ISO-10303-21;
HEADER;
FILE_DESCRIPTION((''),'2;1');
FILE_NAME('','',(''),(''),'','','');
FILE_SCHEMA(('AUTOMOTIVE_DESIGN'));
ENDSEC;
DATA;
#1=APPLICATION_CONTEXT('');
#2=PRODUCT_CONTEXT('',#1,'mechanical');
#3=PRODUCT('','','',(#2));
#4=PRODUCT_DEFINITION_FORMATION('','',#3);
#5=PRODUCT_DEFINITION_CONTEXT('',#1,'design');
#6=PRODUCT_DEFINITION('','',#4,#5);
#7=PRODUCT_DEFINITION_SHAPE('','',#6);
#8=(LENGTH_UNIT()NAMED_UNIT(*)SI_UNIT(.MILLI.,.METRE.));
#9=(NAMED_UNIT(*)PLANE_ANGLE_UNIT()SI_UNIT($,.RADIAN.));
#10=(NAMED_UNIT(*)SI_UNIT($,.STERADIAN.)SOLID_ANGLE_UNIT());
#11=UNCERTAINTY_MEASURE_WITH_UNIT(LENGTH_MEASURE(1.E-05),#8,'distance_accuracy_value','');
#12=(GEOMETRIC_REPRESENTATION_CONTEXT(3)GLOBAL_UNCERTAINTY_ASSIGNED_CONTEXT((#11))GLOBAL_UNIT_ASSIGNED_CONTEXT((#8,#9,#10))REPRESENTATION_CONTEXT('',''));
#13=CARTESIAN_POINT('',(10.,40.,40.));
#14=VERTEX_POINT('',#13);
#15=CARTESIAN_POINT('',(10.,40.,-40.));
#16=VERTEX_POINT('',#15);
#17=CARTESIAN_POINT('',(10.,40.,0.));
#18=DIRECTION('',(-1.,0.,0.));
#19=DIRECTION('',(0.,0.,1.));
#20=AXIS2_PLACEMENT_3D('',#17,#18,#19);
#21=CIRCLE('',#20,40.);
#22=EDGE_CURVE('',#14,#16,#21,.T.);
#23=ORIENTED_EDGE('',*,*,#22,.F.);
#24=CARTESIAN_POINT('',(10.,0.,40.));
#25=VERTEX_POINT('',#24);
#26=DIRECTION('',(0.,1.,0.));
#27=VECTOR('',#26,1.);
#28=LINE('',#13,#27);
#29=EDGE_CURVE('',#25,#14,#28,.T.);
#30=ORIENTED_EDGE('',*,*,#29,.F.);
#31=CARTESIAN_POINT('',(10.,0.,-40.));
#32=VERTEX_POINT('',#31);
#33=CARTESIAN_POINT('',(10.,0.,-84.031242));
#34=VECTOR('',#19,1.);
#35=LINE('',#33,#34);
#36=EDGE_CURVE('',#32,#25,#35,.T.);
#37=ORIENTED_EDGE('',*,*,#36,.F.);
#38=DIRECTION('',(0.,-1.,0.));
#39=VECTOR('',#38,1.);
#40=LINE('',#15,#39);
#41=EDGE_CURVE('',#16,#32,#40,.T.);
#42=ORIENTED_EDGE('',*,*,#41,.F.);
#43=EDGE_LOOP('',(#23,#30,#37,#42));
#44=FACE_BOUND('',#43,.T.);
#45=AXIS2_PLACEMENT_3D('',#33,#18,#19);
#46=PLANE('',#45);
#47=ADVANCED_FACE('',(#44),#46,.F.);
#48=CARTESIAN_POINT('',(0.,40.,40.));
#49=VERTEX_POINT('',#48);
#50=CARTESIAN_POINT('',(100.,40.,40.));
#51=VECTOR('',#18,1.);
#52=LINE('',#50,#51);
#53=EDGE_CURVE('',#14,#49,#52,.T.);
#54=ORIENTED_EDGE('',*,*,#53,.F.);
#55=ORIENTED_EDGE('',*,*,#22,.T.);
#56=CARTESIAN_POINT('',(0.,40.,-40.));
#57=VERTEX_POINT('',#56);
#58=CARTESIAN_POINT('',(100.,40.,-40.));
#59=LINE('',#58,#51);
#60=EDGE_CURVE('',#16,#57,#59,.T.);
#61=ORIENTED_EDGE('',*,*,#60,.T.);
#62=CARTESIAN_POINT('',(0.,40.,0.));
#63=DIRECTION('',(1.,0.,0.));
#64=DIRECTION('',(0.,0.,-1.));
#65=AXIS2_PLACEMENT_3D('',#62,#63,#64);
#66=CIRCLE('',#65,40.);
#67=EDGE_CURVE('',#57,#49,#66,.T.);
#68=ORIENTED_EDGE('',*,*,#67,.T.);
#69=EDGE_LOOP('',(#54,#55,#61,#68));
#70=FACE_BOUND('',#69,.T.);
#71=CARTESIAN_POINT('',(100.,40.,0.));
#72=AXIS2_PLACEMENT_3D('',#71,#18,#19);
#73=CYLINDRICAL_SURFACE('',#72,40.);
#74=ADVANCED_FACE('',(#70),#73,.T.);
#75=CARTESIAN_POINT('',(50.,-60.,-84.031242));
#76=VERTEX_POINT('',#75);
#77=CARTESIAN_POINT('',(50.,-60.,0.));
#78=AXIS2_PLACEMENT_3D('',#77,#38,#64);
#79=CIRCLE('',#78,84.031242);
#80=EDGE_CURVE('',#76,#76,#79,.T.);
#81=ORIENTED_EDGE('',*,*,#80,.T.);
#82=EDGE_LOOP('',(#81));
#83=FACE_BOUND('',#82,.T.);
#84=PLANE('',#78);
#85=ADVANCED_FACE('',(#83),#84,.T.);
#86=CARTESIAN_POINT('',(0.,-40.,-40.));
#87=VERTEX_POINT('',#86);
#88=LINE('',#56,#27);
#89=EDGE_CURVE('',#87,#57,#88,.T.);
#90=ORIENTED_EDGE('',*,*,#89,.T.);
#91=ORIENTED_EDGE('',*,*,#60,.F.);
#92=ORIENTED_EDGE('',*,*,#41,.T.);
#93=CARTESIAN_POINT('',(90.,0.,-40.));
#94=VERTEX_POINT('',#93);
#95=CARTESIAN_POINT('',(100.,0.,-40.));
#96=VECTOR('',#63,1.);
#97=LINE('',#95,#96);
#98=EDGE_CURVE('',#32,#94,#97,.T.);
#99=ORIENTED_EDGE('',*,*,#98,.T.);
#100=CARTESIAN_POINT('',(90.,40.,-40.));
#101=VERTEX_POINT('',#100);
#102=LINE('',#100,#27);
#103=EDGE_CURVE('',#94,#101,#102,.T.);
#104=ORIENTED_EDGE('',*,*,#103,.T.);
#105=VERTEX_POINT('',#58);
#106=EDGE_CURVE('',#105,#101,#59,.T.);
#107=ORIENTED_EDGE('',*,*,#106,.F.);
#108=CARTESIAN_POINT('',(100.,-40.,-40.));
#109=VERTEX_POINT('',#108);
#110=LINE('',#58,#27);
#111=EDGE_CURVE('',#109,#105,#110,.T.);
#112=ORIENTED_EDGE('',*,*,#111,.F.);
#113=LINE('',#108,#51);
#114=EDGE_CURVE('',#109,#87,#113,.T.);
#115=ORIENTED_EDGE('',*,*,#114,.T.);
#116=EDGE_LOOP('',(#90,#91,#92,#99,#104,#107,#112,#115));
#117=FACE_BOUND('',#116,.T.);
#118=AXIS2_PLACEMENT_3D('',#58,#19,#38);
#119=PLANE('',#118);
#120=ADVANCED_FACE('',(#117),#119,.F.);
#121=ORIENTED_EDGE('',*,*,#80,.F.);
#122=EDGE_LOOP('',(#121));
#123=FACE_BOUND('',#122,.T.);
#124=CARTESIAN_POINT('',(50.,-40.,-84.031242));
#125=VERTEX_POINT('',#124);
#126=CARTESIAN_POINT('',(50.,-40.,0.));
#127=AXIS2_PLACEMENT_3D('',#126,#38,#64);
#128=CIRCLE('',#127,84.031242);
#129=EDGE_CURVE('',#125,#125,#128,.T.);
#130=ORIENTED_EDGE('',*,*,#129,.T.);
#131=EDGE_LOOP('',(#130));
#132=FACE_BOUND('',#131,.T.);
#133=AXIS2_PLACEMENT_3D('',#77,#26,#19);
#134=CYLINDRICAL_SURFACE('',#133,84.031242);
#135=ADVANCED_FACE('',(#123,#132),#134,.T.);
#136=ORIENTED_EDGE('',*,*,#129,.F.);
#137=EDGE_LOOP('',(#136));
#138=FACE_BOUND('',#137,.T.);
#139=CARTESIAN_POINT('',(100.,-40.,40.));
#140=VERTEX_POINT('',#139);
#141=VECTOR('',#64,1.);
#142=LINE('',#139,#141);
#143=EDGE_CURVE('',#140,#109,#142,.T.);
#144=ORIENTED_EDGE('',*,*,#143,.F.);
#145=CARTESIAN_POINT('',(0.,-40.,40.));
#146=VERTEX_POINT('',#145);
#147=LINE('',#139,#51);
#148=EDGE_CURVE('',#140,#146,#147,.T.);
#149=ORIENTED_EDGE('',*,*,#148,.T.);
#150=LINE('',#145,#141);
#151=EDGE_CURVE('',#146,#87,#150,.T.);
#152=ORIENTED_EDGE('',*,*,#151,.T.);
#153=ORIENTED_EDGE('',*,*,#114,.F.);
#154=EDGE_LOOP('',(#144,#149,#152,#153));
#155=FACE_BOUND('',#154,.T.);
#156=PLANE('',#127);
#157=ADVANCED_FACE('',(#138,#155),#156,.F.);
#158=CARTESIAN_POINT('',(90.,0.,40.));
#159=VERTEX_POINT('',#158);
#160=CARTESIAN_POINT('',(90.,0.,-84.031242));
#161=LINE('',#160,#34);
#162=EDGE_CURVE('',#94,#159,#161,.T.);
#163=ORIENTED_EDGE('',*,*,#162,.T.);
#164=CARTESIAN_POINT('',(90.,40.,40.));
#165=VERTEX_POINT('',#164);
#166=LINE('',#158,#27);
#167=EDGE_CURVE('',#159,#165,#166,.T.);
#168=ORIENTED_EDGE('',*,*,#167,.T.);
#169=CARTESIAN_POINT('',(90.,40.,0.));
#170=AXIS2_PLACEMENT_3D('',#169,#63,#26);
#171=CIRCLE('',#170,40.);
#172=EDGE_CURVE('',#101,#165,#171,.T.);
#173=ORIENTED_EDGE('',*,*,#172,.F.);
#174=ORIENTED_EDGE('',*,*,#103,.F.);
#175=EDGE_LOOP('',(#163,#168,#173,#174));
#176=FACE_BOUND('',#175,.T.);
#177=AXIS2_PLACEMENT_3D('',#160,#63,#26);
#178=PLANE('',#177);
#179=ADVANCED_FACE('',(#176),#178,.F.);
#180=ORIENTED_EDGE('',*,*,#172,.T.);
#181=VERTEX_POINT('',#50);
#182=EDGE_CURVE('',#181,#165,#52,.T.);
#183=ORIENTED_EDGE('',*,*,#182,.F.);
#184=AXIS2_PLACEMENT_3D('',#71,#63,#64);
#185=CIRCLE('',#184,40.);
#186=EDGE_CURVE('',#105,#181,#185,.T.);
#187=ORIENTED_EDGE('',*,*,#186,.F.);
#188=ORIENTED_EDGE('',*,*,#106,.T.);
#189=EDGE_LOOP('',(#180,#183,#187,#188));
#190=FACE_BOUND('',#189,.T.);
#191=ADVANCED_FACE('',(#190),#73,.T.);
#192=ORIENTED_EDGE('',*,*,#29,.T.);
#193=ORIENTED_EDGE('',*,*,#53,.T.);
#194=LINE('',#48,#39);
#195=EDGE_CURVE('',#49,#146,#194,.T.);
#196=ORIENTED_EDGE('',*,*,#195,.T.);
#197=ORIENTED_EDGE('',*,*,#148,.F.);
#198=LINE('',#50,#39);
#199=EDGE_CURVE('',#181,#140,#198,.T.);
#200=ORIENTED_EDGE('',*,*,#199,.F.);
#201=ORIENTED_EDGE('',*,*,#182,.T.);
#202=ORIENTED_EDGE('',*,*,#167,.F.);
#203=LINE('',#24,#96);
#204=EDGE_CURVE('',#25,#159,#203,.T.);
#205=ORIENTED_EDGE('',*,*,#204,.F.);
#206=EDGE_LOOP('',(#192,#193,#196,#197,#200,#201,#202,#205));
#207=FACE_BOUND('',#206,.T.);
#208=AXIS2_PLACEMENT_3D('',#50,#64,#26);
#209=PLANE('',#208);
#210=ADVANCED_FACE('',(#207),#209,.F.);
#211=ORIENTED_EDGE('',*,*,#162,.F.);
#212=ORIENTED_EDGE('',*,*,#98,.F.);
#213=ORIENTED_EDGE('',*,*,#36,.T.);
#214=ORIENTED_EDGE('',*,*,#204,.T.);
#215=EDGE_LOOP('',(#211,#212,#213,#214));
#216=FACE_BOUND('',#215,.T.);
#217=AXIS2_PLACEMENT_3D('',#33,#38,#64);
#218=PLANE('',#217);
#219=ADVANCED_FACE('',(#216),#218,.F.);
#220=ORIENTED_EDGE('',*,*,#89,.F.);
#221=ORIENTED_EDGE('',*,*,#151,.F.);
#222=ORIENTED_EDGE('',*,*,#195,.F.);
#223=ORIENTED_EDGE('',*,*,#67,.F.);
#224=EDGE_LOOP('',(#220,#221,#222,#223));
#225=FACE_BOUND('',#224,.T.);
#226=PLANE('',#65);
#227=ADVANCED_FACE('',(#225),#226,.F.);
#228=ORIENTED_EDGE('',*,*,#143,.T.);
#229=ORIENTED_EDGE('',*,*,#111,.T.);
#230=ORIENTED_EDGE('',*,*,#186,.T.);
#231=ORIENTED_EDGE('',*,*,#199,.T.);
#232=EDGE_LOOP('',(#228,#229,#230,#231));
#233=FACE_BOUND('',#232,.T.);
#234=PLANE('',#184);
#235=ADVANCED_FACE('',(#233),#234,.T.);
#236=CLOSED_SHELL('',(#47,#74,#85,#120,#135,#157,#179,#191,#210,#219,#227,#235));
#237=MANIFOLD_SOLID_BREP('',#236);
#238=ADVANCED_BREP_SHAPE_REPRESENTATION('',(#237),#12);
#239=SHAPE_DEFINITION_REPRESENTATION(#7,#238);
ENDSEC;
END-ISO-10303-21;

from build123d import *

# Parameters (mm, degrees)
BOSS_EXTRUDE1_DEPTH = 100
SKETCH2_R           = 84.031242374
BOSS_EXTRUDE2_DEPTH = 20
SKETCH3_W           = 80
SKETCH3_H           = 80
CUT_EXTRUDE1_DEPTH  = 200.369313128


with BuildPart() as part:
    # Sketch1 → Boss-Extrude1 (new body)
    with BuildSketch(Plane(origin=(0, 0, 0), x_dir=(0, 0, -1), z_dir=(1, 0, 0))):
        with BuildLine():
            Line((-40, 40), (-40, -40))
            Line((-40, -40), (40, -40))
            Line((40, -40), (40, 40))
            ThreePointArc((40, 40), (0, 80), (-40, 40))
        make_face()
    extrude(amount=BOSS_EXTRUDE1_DEPTH)

    # Sketch2 → Boss-Extrude2 (add)
    with BuildSketch(Plane.XZ.offset(40)):
        with Locations(Location((50, 0, 0), (0, 0, 270))):
            Circle(SKETCH2_R)
    extrude(amount=BOSS_EXTRUDE2_DEPTH)

    # Sketch3 → Cut-Extrude1 (cut, through all)
    with BuildSketch(Plane.XY.offset(40)):
        with Locations((50, 40)):
            Rectangle(SKETCH3_W, SKETCH3_H)
    extrude(amount=-CUT_EXTRUDE1_DEPTH, mode=Mode.SUBTRACT)


solid = part.part
